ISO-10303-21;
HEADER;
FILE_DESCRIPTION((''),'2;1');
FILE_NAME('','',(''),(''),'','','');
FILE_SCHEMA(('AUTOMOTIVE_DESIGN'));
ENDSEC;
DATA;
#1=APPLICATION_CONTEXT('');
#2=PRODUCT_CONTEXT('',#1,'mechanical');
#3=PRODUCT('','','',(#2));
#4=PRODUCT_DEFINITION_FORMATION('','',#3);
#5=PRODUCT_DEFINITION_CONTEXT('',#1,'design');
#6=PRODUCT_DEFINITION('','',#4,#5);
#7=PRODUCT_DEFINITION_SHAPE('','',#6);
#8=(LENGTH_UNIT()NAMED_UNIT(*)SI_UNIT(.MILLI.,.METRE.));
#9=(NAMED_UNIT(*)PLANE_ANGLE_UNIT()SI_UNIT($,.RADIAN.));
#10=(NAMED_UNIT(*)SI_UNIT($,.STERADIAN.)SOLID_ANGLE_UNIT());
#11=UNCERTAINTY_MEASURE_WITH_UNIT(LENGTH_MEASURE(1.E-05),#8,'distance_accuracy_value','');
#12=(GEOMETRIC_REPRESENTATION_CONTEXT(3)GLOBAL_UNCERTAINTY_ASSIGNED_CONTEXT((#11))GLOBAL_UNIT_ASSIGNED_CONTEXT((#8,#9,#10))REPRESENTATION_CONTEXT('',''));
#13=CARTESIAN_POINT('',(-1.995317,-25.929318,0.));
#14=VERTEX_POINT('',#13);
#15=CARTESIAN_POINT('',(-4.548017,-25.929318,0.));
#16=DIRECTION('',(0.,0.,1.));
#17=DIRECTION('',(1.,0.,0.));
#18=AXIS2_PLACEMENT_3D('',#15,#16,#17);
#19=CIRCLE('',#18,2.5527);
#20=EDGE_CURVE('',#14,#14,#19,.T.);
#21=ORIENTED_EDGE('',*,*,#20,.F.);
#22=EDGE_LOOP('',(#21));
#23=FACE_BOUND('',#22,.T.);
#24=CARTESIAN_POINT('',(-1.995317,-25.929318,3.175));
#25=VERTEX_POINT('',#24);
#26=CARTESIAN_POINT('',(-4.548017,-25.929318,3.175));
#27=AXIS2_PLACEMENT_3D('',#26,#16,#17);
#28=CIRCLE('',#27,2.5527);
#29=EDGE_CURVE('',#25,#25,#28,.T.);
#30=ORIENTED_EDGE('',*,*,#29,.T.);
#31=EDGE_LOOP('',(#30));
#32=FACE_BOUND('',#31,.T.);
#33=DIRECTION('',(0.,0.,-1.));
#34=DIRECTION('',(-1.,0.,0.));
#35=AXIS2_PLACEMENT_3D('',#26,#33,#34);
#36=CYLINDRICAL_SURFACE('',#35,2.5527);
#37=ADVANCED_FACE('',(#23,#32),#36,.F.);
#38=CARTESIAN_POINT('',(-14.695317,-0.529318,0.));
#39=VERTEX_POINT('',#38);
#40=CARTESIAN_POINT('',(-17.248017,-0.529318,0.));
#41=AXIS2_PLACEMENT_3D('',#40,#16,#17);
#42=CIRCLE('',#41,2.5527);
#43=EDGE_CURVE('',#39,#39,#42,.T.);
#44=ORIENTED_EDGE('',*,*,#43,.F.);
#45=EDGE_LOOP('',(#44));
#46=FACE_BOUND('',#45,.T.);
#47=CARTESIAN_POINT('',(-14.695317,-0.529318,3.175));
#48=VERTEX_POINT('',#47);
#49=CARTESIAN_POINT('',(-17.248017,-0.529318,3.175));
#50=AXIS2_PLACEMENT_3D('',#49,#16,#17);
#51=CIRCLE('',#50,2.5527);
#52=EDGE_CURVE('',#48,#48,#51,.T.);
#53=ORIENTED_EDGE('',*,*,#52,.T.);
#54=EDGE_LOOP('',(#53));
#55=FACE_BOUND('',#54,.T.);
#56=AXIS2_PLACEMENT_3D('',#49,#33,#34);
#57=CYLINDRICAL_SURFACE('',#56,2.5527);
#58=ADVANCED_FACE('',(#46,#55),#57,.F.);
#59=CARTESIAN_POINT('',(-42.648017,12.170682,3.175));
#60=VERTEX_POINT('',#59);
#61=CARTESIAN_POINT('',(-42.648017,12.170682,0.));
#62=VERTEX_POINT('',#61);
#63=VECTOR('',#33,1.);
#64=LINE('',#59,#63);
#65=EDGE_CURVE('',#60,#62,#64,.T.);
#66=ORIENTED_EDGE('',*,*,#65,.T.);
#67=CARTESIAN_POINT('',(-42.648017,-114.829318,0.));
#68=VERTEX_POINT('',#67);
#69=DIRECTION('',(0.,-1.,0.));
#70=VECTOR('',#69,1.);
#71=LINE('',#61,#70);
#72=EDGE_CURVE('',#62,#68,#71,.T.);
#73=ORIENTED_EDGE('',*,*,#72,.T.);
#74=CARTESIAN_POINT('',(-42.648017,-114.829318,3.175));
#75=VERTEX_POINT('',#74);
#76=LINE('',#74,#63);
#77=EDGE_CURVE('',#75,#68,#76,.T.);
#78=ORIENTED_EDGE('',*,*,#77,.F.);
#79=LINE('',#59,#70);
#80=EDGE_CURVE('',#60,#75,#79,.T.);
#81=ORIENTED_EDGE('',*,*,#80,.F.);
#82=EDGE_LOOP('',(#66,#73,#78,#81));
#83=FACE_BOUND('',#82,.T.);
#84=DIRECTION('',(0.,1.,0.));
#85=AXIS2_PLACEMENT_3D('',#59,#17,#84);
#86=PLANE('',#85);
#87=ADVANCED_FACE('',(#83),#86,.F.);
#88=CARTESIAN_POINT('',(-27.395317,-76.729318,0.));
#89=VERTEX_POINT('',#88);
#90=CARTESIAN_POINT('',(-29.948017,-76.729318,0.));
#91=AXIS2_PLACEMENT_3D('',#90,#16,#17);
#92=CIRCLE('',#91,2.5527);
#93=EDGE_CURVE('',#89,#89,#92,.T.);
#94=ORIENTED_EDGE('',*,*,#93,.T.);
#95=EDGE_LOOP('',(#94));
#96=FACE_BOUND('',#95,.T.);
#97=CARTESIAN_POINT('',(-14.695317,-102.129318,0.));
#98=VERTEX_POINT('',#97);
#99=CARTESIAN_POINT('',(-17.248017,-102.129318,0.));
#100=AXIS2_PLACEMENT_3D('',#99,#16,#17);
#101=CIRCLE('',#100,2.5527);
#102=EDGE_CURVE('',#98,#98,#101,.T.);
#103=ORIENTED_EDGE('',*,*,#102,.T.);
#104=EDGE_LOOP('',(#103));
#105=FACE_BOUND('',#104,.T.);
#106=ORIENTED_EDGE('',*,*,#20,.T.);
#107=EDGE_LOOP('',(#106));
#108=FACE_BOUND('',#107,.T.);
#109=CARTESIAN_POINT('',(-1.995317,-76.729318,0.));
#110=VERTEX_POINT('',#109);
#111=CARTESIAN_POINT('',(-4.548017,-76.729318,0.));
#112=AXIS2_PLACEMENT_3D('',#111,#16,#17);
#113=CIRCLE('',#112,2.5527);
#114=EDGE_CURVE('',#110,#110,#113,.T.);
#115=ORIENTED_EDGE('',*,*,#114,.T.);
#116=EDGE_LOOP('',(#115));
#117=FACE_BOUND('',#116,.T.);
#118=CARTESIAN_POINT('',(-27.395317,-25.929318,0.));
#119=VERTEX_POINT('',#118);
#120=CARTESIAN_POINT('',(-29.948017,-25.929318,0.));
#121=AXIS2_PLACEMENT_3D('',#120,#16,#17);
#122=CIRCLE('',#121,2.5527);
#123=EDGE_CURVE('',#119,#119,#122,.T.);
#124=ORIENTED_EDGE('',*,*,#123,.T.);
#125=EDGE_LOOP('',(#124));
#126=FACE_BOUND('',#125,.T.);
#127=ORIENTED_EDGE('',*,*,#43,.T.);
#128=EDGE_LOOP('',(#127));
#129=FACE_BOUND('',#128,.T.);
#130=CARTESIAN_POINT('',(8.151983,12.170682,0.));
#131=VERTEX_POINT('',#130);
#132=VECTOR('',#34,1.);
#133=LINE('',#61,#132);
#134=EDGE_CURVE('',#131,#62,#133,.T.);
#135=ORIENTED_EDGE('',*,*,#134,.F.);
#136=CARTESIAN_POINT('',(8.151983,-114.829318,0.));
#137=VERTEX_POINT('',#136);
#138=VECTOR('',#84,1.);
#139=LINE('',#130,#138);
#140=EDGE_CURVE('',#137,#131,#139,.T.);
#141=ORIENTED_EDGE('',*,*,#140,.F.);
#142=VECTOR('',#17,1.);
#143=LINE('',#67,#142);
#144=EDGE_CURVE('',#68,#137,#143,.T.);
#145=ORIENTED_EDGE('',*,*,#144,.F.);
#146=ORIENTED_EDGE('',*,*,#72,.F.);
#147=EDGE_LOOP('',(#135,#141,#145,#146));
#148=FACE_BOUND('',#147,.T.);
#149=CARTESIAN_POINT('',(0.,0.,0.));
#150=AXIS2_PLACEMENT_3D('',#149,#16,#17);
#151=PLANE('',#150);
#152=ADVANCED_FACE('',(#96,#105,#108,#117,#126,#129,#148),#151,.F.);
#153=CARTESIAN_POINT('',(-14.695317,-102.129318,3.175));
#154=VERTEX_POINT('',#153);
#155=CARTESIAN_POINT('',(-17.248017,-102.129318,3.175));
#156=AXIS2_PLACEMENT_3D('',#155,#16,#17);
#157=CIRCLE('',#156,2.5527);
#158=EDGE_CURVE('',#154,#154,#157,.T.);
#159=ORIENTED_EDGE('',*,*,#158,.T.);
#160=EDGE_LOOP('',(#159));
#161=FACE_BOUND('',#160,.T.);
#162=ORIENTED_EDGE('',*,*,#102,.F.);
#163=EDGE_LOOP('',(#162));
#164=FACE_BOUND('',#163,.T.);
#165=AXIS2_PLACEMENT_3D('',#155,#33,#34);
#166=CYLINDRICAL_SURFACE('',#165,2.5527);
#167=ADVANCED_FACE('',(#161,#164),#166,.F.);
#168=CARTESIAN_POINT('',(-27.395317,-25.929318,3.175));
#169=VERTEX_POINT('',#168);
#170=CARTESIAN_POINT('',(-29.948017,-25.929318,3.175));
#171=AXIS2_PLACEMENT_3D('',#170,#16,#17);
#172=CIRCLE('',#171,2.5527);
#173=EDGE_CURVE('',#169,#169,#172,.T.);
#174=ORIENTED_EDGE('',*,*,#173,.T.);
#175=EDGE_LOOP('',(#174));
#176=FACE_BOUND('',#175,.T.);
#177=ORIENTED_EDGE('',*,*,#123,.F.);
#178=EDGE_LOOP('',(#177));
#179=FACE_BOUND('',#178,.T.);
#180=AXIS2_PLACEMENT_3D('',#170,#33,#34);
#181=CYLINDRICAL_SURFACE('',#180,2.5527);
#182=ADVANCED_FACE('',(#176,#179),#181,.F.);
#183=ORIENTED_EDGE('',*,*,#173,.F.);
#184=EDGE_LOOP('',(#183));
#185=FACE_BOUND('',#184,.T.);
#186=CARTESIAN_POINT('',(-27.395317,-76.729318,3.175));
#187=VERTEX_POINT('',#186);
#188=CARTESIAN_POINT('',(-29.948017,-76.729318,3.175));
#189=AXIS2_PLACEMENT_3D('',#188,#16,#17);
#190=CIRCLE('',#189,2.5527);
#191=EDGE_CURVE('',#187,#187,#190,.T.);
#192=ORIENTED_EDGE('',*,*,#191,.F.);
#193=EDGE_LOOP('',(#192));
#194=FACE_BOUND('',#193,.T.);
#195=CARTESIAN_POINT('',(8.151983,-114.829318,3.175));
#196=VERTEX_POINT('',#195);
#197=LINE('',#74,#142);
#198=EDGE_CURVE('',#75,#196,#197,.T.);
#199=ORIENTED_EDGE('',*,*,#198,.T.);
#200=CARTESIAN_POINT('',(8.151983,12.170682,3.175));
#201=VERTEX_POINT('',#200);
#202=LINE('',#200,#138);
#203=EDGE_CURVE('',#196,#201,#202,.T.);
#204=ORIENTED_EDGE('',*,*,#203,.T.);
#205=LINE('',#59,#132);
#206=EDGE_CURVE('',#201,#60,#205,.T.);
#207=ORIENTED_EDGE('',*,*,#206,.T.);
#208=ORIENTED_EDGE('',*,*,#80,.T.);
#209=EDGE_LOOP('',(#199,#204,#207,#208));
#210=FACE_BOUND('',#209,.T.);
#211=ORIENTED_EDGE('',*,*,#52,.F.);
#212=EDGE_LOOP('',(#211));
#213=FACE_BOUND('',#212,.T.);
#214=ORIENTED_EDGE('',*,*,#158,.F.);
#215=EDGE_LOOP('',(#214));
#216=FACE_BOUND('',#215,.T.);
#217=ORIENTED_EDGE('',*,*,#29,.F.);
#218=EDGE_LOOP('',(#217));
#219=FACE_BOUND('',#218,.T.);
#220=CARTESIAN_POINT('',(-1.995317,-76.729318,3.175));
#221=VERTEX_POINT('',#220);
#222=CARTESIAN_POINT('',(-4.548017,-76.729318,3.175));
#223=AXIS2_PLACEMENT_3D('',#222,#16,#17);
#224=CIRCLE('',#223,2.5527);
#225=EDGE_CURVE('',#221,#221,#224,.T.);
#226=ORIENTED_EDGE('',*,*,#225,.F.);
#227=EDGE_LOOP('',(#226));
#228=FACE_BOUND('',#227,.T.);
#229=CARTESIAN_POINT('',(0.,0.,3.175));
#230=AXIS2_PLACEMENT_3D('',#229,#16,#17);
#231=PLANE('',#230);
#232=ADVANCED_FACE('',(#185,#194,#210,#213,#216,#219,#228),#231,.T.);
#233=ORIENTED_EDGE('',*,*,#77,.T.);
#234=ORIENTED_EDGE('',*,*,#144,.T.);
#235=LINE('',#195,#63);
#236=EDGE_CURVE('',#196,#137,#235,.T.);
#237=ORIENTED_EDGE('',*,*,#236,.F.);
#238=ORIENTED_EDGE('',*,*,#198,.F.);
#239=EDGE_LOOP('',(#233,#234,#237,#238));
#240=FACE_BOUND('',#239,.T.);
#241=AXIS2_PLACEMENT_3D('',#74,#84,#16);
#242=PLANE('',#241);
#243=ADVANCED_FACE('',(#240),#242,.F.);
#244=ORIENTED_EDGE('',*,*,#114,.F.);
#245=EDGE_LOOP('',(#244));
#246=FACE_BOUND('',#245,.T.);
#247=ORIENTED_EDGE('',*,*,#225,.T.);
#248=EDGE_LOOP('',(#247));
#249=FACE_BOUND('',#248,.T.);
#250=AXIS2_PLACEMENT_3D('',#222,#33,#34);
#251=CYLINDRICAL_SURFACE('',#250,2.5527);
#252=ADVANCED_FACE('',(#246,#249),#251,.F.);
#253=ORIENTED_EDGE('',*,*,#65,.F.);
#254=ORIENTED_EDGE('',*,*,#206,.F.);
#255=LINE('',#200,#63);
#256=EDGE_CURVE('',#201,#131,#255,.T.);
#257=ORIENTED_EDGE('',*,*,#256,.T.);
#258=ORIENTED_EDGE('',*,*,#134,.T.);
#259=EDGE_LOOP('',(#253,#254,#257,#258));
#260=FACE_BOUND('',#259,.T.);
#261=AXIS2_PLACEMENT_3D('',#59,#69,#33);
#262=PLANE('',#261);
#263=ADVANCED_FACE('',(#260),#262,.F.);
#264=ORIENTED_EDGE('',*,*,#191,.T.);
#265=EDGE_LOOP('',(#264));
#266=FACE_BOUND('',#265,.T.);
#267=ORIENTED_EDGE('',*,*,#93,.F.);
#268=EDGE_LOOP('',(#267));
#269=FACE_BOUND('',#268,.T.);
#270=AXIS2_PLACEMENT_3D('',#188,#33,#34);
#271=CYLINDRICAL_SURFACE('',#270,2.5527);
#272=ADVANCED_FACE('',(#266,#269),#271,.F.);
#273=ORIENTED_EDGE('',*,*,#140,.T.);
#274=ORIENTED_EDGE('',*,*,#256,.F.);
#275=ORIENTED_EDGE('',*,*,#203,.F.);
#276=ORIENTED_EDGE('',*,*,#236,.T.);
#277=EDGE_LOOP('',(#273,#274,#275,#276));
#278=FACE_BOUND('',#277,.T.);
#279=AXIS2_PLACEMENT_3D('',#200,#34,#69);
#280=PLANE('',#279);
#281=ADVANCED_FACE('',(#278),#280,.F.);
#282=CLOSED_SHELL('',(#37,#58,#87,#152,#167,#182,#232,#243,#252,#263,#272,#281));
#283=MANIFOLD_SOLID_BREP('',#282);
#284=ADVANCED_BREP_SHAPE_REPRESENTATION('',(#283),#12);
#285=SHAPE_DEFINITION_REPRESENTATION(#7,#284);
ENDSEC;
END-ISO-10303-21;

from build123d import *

# Parameters (mm, degrees)
SKETCH1_W           = 50.8
SKETCH1_H           = 127
SKETCH1_R           = 2.5527
BOSS_EXTRUDE1_DEPTH = 3.175


with BuildPart() as part:
    # Sketch1 → Boss-Extrude1 (new body)
    with BuildSketch(Plane.XY):
        with Locations((-17.248016786, -51.329317728)):
            Rectangle(SKETCH1_W, SKETCH1_H)
        with Locations((-17.248016786, -0.529317728)):
            Circle(SKETCH1_R, mode=Mode.SUBTRACT)
        with Locations((-29.948016786, -25.929317728)):
            Circle(SKETCH1_R, mode=Mode.SUBTRACT)
        with Locations((-4.548016786, -25.929317728)):
            Circle(SKETCH1_R, mode=Mode.SUBTRACT)
        with Locations((-17.248016786, -102.129317728)):
            Circle(SKETCH1_R, mode=Mode.SUBTRACT)
        with Locations((-4.548016786, -76.729317728)):
            Circle(SKETCH1_R, mode=Mode.SUBTRACT)
        with Locations((-29.948016786, -76.729317728)):
            Circle(SKETCH1_R, mode=Mode.SUBTRACT)
    extrude(amount=BOSS_EXTRUDE1_DEPTH)


solid = part.part
